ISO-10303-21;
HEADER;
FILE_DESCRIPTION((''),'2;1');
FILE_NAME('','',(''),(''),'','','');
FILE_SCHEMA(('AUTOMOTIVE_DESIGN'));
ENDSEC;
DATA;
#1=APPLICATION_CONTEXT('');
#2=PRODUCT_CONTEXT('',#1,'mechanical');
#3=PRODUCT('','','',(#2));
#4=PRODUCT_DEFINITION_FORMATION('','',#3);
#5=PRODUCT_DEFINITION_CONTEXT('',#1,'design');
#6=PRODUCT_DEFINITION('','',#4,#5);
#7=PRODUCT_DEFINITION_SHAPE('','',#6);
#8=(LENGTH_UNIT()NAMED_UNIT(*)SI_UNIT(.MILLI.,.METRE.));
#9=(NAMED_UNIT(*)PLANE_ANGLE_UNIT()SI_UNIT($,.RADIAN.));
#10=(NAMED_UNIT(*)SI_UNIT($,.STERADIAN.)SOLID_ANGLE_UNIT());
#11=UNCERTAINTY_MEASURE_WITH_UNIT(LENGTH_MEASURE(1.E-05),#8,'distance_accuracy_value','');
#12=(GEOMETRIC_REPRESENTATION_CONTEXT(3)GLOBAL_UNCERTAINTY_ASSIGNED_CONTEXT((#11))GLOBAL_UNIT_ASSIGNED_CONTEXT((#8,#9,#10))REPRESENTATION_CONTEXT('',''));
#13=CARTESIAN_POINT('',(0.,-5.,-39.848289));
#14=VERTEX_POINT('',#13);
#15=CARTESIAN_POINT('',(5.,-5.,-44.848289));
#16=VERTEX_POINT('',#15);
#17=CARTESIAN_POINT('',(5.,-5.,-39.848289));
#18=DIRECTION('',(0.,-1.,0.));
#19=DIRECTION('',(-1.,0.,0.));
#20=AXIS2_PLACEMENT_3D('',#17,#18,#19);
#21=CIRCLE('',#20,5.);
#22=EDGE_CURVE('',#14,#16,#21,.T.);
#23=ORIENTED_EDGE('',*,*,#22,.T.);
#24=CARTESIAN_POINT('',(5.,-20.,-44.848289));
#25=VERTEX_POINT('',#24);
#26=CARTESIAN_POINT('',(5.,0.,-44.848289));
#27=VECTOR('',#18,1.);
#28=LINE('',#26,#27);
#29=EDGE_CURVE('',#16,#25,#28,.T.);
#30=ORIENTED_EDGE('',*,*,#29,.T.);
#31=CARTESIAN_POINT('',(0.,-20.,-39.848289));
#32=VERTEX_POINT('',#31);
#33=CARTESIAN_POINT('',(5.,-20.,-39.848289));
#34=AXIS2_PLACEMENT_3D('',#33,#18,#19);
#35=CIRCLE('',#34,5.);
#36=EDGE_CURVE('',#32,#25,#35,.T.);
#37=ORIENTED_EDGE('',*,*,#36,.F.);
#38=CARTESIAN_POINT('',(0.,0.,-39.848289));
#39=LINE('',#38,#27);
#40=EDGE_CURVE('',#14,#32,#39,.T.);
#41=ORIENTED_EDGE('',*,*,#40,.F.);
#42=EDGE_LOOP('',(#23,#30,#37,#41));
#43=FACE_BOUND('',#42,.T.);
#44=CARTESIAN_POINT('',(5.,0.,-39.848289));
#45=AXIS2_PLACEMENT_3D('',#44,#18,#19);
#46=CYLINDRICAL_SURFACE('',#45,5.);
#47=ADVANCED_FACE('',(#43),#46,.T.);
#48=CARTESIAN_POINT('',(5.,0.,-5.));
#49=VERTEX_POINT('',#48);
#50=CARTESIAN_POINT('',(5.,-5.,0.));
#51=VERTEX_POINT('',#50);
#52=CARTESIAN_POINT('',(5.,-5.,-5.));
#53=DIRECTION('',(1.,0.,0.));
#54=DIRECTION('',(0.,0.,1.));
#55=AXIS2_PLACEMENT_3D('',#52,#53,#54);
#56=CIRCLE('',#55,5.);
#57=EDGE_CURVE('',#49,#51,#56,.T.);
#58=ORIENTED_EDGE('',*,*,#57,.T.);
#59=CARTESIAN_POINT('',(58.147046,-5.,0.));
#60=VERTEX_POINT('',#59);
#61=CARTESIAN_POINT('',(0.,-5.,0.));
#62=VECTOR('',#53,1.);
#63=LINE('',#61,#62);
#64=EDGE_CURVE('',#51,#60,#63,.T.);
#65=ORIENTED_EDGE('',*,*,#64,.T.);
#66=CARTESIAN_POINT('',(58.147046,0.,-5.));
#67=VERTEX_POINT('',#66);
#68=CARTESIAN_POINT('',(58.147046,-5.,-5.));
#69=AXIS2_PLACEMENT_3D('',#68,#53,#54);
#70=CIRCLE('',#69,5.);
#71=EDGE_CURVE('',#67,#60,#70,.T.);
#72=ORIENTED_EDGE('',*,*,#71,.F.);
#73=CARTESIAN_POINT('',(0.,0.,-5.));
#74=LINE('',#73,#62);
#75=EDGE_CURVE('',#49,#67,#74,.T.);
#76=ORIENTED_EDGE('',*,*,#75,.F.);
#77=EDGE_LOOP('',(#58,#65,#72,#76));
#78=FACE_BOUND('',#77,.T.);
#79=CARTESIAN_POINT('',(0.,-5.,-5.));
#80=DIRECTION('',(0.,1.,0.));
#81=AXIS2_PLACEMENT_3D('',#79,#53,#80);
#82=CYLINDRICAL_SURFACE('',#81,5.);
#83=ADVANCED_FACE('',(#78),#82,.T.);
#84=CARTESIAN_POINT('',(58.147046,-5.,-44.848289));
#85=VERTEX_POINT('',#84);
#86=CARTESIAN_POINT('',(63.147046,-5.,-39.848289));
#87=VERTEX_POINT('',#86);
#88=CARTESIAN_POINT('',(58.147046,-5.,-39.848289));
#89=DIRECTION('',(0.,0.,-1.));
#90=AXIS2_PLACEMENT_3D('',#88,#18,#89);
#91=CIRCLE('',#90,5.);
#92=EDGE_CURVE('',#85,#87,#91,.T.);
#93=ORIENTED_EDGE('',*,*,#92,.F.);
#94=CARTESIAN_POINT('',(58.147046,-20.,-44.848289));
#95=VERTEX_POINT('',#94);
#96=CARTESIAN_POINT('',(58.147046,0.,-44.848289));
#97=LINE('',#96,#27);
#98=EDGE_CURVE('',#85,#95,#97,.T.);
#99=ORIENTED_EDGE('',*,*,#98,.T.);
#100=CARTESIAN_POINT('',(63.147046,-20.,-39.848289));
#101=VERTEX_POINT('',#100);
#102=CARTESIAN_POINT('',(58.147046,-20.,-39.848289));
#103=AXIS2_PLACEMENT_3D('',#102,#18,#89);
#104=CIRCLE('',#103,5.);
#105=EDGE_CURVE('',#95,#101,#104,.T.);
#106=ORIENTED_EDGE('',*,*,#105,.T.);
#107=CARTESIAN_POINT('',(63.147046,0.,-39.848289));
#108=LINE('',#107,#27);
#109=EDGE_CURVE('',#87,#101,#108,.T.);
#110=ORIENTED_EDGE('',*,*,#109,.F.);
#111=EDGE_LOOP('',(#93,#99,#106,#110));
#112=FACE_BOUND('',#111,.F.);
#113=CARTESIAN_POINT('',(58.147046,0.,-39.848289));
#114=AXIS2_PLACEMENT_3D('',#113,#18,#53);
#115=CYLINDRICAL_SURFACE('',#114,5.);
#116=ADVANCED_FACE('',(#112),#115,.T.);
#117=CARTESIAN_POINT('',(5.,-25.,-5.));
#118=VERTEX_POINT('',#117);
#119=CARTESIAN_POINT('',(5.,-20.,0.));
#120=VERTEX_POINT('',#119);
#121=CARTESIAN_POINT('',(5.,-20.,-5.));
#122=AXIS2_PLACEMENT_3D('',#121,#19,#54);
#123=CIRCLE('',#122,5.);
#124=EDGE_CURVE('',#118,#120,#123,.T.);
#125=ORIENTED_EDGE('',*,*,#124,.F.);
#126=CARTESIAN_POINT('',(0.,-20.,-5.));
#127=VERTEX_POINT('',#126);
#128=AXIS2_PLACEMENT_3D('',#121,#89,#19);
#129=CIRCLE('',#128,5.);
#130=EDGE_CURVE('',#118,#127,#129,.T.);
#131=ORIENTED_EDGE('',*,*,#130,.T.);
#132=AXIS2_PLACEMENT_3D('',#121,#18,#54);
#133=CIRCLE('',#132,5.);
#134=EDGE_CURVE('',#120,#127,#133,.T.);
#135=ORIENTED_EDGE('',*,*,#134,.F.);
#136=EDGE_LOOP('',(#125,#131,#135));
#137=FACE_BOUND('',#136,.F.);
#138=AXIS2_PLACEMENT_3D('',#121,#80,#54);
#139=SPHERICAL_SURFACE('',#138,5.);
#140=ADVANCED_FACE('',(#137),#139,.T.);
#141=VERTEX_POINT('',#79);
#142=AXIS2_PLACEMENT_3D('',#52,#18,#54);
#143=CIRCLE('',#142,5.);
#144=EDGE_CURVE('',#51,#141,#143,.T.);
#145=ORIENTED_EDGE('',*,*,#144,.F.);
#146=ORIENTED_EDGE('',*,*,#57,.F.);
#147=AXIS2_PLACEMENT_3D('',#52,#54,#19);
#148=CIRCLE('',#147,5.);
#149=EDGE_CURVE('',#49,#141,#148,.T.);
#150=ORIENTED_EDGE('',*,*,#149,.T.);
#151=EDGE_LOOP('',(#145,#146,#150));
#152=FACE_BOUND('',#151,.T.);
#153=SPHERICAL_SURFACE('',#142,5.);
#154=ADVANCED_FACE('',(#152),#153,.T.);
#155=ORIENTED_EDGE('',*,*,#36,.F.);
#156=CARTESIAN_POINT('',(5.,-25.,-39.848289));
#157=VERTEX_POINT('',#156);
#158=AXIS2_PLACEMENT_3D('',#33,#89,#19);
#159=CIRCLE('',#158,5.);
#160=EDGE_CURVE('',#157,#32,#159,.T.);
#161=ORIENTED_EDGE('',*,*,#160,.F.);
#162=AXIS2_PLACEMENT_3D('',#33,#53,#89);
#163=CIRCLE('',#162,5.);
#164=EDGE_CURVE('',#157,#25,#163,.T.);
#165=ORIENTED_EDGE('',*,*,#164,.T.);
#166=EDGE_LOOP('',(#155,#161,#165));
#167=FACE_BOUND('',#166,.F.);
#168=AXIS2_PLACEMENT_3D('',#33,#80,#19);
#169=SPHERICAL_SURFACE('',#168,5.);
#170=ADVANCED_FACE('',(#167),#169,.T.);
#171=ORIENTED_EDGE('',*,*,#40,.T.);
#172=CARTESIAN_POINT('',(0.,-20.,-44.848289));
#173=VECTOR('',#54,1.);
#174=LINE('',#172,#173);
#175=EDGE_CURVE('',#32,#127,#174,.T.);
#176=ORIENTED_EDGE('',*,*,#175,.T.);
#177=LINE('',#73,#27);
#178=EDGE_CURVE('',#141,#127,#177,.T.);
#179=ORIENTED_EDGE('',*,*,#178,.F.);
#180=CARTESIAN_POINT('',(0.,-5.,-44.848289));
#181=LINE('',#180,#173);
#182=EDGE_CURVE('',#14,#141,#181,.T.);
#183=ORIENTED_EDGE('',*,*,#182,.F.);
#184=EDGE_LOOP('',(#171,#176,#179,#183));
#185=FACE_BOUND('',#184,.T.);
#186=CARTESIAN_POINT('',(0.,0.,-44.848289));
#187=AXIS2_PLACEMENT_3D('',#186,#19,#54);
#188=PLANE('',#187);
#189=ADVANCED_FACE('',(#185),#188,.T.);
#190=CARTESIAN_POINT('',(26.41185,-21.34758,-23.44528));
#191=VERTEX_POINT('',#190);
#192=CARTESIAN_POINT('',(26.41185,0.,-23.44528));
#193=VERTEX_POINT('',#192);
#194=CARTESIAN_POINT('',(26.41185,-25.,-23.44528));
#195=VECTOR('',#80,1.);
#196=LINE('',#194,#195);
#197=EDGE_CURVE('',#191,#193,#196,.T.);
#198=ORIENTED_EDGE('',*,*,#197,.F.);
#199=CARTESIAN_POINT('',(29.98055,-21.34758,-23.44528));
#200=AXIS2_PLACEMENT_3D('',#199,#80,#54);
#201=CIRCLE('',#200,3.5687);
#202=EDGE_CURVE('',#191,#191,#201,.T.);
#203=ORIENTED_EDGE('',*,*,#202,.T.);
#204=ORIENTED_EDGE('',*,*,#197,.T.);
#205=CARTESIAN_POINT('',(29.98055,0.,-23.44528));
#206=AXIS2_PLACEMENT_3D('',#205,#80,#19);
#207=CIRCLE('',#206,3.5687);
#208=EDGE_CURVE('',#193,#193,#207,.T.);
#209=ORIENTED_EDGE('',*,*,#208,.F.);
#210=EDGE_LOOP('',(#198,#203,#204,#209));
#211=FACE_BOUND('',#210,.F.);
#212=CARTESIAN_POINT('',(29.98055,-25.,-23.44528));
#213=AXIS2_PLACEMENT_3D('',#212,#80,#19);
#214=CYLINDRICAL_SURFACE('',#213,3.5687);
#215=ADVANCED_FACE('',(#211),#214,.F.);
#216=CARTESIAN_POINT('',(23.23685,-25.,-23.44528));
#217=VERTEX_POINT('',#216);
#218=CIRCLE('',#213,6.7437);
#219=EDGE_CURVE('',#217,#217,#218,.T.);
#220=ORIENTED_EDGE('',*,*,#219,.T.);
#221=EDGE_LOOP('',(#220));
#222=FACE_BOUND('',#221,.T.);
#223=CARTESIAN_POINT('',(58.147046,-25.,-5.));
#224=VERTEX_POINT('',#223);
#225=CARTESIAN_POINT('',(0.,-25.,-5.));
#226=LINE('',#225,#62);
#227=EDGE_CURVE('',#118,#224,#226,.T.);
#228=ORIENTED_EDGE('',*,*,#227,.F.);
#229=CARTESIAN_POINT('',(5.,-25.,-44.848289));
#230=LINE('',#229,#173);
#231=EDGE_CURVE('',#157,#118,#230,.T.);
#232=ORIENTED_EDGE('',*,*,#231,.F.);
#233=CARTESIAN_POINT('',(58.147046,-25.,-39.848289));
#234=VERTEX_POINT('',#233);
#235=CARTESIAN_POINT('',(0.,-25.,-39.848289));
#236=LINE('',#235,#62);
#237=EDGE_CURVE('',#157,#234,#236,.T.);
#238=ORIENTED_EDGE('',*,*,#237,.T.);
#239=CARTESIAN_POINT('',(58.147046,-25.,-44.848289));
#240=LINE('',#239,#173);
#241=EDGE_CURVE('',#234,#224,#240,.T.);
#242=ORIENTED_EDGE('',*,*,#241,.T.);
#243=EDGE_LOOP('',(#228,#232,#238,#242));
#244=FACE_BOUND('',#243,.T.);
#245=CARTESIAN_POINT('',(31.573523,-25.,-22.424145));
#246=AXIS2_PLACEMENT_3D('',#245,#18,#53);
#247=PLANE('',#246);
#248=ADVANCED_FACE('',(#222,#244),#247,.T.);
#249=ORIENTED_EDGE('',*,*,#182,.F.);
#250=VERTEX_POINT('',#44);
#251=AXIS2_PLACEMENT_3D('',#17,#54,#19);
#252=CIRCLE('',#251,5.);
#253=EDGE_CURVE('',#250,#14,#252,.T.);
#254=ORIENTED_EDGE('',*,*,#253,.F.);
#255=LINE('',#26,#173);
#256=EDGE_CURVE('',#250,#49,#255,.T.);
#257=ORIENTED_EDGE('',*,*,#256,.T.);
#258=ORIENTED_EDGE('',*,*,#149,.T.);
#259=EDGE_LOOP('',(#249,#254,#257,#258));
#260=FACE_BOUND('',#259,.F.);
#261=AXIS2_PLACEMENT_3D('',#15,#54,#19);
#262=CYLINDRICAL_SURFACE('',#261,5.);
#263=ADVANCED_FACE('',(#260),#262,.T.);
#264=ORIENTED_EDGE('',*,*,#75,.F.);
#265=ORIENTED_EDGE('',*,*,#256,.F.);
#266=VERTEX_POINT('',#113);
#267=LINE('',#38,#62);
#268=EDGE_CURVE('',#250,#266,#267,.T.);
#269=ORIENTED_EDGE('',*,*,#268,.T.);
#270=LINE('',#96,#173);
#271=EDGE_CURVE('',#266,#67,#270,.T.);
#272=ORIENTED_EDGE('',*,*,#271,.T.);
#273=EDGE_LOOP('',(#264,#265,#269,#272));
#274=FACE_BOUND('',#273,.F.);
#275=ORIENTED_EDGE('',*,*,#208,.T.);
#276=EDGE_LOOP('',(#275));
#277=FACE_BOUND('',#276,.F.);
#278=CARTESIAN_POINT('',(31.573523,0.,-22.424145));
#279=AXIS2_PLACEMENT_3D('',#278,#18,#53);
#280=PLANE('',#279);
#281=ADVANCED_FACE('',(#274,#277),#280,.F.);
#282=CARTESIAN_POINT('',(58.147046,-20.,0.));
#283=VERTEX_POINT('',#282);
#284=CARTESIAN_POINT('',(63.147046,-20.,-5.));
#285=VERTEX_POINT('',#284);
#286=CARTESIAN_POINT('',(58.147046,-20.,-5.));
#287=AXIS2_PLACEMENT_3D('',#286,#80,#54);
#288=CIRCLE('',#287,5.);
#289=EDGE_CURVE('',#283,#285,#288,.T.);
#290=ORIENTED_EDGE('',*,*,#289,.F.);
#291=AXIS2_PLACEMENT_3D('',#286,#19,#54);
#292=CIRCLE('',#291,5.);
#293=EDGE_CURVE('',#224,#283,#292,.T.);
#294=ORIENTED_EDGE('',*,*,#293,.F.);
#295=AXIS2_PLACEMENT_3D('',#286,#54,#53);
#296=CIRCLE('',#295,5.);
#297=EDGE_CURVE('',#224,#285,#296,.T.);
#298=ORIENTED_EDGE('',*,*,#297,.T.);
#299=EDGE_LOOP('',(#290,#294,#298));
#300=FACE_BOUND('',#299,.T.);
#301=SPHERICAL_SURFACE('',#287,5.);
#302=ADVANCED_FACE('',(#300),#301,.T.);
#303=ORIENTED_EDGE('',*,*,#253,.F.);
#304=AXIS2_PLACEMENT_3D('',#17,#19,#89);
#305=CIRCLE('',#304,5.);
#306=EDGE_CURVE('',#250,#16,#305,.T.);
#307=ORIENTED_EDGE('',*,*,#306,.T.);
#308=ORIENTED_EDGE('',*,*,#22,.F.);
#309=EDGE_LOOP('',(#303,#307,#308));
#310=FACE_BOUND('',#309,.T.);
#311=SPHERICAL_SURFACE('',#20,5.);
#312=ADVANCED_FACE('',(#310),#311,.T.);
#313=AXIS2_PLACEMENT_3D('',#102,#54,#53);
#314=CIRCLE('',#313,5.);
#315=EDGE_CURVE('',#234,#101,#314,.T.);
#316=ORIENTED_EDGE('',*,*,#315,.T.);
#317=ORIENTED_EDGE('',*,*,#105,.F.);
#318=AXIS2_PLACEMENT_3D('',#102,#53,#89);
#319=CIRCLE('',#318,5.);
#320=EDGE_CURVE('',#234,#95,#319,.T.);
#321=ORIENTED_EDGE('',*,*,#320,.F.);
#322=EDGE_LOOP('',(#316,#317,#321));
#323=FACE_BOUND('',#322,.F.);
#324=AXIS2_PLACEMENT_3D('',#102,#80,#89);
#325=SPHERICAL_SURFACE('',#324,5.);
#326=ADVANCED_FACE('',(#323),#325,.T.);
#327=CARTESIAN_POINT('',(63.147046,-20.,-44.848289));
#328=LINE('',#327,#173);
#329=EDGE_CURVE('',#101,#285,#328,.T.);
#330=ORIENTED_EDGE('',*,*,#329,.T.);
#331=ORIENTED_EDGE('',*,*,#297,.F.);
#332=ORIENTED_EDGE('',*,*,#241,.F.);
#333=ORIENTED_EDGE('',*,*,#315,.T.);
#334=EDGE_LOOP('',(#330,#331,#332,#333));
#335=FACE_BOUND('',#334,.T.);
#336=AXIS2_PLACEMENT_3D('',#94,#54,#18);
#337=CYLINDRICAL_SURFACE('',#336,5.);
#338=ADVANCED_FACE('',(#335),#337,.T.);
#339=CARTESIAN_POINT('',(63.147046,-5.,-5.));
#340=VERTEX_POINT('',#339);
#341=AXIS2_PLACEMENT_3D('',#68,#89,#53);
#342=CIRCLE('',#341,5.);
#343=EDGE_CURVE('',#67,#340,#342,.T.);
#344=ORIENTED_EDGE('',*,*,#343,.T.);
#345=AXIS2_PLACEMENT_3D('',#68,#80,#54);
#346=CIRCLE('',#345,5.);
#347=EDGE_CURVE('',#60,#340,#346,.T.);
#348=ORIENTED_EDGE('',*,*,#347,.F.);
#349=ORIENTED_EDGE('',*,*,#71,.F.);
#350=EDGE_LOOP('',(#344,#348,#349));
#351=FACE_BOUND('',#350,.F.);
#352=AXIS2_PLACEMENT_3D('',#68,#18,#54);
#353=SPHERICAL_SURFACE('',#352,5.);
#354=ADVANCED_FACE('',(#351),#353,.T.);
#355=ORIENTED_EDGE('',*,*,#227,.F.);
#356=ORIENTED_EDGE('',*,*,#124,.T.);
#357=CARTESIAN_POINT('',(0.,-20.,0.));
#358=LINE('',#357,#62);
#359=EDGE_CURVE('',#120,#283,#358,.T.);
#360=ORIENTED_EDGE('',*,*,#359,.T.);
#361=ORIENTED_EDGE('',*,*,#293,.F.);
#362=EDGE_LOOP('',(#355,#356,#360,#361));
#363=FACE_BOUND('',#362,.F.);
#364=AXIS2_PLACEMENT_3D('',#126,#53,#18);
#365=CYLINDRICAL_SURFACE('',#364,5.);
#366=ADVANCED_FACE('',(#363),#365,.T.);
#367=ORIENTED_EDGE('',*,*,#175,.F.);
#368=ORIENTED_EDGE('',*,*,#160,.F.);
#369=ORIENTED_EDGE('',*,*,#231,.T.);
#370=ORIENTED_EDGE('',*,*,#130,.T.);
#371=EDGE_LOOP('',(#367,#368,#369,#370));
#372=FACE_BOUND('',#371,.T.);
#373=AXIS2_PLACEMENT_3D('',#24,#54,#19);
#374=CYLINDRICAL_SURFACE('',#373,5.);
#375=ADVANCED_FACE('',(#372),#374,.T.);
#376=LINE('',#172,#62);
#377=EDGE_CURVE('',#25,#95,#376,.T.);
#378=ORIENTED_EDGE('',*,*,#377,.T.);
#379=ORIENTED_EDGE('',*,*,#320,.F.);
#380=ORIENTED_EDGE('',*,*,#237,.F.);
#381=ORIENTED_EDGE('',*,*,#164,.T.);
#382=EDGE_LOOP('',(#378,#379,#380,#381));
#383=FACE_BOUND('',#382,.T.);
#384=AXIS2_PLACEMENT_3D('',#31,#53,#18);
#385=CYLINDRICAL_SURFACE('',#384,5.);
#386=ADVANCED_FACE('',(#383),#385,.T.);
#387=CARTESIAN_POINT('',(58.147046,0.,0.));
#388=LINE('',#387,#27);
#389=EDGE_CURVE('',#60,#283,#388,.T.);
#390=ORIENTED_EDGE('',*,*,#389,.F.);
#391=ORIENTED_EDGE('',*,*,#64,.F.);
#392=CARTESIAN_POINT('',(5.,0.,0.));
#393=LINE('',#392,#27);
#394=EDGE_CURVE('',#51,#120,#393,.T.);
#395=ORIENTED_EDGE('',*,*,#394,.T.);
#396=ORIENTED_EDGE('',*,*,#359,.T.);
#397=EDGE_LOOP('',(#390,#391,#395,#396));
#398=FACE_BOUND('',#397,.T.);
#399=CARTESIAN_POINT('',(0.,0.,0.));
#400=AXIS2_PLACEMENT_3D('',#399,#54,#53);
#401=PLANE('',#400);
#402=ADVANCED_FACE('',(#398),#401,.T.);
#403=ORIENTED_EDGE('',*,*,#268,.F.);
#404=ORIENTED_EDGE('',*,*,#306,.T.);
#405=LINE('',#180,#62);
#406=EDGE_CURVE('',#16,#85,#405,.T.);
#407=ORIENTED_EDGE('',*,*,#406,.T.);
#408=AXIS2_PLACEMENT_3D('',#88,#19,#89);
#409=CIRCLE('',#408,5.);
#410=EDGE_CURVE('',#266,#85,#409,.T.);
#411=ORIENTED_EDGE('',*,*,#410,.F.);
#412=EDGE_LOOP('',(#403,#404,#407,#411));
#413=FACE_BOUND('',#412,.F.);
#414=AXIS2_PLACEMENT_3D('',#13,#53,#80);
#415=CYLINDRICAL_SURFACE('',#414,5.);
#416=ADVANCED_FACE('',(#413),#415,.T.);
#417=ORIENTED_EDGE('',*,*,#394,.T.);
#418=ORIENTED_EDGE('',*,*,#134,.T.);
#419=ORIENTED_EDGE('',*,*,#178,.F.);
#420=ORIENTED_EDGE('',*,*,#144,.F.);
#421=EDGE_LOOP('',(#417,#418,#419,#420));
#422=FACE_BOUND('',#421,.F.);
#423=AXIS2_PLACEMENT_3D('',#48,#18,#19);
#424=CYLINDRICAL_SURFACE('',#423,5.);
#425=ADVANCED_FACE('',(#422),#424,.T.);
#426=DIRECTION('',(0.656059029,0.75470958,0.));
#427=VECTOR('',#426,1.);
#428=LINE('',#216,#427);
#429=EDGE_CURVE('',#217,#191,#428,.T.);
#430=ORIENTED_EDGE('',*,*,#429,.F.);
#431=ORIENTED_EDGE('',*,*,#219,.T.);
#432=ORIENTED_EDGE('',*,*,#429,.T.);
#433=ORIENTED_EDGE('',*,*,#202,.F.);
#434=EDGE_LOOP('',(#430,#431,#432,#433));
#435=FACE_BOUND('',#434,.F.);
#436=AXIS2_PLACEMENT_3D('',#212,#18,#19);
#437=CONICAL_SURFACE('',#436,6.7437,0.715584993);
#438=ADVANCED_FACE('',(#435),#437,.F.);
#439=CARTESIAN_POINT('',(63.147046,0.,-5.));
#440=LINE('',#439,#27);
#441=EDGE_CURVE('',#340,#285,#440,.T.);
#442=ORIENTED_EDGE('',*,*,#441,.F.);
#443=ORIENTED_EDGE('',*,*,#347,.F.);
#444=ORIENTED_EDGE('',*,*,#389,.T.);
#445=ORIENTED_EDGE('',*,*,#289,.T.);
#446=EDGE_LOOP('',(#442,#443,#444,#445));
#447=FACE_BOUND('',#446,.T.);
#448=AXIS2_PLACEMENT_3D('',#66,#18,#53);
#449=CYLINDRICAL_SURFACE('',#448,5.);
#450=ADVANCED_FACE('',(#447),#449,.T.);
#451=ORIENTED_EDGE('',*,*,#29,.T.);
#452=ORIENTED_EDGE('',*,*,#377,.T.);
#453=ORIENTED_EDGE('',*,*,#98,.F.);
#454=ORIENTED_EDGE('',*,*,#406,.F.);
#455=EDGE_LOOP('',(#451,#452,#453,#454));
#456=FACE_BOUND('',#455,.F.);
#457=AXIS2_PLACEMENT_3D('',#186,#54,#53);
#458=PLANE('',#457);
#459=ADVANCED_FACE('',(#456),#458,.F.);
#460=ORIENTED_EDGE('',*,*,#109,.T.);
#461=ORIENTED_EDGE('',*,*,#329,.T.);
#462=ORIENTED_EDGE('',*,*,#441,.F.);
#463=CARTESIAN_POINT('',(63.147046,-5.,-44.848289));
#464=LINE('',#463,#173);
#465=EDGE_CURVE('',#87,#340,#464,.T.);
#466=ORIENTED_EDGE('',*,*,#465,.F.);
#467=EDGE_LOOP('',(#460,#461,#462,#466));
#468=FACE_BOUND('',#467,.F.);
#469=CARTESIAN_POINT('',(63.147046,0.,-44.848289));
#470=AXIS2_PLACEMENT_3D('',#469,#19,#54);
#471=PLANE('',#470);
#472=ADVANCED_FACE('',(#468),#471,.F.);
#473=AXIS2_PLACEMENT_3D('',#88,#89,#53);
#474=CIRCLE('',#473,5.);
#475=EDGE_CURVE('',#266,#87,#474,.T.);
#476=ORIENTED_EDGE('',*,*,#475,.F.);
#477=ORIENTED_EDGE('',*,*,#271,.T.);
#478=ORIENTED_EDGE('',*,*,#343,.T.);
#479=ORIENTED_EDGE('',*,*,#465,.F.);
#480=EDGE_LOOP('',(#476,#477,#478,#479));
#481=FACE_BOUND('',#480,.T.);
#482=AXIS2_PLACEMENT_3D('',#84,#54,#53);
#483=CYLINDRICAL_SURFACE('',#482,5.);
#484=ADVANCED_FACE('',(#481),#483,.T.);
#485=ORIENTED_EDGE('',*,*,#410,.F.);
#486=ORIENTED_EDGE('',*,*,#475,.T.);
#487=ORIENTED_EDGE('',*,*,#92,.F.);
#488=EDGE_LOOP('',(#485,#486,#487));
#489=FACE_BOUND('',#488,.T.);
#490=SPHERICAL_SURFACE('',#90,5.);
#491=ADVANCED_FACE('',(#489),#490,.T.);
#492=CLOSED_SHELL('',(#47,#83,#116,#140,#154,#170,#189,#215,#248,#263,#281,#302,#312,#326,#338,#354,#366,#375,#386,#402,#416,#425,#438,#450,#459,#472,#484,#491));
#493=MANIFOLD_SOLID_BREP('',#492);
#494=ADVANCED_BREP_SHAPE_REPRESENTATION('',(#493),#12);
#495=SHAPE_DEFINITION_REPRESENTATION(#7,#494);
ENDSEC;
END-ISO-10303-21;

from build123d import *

# Parameters (mm, degrees)
F0_W           = 63.1470456719
F0_H           = 44.8482893407
F1_DEPTH       = 25
F3_D           = 7.1374
F3_CSINK_D     = 13.4874
F3_CSINK_ANGLE = 82
F4_R           = 5


with BuildPart() as f1:
    # F0 (on Front) → F1 (new body)
    with BuildSketch(Plane.XZ):
        with Locations((31.573522836, -22.4241446704)):
            Rectangle(F0_W, F0_H)
    extrude(amount=F1_DEPTH)

    # F3 (through all)
    with Locations(Plane.XZ.offset(25)):
        with Locations((29.9805495888, -23.4452802688)):
            CounterSinkHole(F3_D / 2, F3_CSINK_D / 2, counter_sink_angle=F3_CSINK_ANGLE)

    # F4
    f4_edges = [f1.edges().sort_by_distance(p)[0] for p in [
        (63.147046, -12.5, 0),
        (0, -12.5, 0),
        (31.573523, 0, 0),
        (31.573523, -25, 0),
        (0, -12.5, -44.848289),
        (0, 0, -22.424145),
        (0, -25, -22.424145),
        (63.147046, -12.5, -44.848289),
        (31.573523, 0, -44.848289),
        (31.573523, -25, -44.848289),
        (63.147046, 0, -22.424145),
        (63.147046, -25, -22.424145),
    ]]
    fillet(f4_edges, radius=F4_R)


solid = f1.part
